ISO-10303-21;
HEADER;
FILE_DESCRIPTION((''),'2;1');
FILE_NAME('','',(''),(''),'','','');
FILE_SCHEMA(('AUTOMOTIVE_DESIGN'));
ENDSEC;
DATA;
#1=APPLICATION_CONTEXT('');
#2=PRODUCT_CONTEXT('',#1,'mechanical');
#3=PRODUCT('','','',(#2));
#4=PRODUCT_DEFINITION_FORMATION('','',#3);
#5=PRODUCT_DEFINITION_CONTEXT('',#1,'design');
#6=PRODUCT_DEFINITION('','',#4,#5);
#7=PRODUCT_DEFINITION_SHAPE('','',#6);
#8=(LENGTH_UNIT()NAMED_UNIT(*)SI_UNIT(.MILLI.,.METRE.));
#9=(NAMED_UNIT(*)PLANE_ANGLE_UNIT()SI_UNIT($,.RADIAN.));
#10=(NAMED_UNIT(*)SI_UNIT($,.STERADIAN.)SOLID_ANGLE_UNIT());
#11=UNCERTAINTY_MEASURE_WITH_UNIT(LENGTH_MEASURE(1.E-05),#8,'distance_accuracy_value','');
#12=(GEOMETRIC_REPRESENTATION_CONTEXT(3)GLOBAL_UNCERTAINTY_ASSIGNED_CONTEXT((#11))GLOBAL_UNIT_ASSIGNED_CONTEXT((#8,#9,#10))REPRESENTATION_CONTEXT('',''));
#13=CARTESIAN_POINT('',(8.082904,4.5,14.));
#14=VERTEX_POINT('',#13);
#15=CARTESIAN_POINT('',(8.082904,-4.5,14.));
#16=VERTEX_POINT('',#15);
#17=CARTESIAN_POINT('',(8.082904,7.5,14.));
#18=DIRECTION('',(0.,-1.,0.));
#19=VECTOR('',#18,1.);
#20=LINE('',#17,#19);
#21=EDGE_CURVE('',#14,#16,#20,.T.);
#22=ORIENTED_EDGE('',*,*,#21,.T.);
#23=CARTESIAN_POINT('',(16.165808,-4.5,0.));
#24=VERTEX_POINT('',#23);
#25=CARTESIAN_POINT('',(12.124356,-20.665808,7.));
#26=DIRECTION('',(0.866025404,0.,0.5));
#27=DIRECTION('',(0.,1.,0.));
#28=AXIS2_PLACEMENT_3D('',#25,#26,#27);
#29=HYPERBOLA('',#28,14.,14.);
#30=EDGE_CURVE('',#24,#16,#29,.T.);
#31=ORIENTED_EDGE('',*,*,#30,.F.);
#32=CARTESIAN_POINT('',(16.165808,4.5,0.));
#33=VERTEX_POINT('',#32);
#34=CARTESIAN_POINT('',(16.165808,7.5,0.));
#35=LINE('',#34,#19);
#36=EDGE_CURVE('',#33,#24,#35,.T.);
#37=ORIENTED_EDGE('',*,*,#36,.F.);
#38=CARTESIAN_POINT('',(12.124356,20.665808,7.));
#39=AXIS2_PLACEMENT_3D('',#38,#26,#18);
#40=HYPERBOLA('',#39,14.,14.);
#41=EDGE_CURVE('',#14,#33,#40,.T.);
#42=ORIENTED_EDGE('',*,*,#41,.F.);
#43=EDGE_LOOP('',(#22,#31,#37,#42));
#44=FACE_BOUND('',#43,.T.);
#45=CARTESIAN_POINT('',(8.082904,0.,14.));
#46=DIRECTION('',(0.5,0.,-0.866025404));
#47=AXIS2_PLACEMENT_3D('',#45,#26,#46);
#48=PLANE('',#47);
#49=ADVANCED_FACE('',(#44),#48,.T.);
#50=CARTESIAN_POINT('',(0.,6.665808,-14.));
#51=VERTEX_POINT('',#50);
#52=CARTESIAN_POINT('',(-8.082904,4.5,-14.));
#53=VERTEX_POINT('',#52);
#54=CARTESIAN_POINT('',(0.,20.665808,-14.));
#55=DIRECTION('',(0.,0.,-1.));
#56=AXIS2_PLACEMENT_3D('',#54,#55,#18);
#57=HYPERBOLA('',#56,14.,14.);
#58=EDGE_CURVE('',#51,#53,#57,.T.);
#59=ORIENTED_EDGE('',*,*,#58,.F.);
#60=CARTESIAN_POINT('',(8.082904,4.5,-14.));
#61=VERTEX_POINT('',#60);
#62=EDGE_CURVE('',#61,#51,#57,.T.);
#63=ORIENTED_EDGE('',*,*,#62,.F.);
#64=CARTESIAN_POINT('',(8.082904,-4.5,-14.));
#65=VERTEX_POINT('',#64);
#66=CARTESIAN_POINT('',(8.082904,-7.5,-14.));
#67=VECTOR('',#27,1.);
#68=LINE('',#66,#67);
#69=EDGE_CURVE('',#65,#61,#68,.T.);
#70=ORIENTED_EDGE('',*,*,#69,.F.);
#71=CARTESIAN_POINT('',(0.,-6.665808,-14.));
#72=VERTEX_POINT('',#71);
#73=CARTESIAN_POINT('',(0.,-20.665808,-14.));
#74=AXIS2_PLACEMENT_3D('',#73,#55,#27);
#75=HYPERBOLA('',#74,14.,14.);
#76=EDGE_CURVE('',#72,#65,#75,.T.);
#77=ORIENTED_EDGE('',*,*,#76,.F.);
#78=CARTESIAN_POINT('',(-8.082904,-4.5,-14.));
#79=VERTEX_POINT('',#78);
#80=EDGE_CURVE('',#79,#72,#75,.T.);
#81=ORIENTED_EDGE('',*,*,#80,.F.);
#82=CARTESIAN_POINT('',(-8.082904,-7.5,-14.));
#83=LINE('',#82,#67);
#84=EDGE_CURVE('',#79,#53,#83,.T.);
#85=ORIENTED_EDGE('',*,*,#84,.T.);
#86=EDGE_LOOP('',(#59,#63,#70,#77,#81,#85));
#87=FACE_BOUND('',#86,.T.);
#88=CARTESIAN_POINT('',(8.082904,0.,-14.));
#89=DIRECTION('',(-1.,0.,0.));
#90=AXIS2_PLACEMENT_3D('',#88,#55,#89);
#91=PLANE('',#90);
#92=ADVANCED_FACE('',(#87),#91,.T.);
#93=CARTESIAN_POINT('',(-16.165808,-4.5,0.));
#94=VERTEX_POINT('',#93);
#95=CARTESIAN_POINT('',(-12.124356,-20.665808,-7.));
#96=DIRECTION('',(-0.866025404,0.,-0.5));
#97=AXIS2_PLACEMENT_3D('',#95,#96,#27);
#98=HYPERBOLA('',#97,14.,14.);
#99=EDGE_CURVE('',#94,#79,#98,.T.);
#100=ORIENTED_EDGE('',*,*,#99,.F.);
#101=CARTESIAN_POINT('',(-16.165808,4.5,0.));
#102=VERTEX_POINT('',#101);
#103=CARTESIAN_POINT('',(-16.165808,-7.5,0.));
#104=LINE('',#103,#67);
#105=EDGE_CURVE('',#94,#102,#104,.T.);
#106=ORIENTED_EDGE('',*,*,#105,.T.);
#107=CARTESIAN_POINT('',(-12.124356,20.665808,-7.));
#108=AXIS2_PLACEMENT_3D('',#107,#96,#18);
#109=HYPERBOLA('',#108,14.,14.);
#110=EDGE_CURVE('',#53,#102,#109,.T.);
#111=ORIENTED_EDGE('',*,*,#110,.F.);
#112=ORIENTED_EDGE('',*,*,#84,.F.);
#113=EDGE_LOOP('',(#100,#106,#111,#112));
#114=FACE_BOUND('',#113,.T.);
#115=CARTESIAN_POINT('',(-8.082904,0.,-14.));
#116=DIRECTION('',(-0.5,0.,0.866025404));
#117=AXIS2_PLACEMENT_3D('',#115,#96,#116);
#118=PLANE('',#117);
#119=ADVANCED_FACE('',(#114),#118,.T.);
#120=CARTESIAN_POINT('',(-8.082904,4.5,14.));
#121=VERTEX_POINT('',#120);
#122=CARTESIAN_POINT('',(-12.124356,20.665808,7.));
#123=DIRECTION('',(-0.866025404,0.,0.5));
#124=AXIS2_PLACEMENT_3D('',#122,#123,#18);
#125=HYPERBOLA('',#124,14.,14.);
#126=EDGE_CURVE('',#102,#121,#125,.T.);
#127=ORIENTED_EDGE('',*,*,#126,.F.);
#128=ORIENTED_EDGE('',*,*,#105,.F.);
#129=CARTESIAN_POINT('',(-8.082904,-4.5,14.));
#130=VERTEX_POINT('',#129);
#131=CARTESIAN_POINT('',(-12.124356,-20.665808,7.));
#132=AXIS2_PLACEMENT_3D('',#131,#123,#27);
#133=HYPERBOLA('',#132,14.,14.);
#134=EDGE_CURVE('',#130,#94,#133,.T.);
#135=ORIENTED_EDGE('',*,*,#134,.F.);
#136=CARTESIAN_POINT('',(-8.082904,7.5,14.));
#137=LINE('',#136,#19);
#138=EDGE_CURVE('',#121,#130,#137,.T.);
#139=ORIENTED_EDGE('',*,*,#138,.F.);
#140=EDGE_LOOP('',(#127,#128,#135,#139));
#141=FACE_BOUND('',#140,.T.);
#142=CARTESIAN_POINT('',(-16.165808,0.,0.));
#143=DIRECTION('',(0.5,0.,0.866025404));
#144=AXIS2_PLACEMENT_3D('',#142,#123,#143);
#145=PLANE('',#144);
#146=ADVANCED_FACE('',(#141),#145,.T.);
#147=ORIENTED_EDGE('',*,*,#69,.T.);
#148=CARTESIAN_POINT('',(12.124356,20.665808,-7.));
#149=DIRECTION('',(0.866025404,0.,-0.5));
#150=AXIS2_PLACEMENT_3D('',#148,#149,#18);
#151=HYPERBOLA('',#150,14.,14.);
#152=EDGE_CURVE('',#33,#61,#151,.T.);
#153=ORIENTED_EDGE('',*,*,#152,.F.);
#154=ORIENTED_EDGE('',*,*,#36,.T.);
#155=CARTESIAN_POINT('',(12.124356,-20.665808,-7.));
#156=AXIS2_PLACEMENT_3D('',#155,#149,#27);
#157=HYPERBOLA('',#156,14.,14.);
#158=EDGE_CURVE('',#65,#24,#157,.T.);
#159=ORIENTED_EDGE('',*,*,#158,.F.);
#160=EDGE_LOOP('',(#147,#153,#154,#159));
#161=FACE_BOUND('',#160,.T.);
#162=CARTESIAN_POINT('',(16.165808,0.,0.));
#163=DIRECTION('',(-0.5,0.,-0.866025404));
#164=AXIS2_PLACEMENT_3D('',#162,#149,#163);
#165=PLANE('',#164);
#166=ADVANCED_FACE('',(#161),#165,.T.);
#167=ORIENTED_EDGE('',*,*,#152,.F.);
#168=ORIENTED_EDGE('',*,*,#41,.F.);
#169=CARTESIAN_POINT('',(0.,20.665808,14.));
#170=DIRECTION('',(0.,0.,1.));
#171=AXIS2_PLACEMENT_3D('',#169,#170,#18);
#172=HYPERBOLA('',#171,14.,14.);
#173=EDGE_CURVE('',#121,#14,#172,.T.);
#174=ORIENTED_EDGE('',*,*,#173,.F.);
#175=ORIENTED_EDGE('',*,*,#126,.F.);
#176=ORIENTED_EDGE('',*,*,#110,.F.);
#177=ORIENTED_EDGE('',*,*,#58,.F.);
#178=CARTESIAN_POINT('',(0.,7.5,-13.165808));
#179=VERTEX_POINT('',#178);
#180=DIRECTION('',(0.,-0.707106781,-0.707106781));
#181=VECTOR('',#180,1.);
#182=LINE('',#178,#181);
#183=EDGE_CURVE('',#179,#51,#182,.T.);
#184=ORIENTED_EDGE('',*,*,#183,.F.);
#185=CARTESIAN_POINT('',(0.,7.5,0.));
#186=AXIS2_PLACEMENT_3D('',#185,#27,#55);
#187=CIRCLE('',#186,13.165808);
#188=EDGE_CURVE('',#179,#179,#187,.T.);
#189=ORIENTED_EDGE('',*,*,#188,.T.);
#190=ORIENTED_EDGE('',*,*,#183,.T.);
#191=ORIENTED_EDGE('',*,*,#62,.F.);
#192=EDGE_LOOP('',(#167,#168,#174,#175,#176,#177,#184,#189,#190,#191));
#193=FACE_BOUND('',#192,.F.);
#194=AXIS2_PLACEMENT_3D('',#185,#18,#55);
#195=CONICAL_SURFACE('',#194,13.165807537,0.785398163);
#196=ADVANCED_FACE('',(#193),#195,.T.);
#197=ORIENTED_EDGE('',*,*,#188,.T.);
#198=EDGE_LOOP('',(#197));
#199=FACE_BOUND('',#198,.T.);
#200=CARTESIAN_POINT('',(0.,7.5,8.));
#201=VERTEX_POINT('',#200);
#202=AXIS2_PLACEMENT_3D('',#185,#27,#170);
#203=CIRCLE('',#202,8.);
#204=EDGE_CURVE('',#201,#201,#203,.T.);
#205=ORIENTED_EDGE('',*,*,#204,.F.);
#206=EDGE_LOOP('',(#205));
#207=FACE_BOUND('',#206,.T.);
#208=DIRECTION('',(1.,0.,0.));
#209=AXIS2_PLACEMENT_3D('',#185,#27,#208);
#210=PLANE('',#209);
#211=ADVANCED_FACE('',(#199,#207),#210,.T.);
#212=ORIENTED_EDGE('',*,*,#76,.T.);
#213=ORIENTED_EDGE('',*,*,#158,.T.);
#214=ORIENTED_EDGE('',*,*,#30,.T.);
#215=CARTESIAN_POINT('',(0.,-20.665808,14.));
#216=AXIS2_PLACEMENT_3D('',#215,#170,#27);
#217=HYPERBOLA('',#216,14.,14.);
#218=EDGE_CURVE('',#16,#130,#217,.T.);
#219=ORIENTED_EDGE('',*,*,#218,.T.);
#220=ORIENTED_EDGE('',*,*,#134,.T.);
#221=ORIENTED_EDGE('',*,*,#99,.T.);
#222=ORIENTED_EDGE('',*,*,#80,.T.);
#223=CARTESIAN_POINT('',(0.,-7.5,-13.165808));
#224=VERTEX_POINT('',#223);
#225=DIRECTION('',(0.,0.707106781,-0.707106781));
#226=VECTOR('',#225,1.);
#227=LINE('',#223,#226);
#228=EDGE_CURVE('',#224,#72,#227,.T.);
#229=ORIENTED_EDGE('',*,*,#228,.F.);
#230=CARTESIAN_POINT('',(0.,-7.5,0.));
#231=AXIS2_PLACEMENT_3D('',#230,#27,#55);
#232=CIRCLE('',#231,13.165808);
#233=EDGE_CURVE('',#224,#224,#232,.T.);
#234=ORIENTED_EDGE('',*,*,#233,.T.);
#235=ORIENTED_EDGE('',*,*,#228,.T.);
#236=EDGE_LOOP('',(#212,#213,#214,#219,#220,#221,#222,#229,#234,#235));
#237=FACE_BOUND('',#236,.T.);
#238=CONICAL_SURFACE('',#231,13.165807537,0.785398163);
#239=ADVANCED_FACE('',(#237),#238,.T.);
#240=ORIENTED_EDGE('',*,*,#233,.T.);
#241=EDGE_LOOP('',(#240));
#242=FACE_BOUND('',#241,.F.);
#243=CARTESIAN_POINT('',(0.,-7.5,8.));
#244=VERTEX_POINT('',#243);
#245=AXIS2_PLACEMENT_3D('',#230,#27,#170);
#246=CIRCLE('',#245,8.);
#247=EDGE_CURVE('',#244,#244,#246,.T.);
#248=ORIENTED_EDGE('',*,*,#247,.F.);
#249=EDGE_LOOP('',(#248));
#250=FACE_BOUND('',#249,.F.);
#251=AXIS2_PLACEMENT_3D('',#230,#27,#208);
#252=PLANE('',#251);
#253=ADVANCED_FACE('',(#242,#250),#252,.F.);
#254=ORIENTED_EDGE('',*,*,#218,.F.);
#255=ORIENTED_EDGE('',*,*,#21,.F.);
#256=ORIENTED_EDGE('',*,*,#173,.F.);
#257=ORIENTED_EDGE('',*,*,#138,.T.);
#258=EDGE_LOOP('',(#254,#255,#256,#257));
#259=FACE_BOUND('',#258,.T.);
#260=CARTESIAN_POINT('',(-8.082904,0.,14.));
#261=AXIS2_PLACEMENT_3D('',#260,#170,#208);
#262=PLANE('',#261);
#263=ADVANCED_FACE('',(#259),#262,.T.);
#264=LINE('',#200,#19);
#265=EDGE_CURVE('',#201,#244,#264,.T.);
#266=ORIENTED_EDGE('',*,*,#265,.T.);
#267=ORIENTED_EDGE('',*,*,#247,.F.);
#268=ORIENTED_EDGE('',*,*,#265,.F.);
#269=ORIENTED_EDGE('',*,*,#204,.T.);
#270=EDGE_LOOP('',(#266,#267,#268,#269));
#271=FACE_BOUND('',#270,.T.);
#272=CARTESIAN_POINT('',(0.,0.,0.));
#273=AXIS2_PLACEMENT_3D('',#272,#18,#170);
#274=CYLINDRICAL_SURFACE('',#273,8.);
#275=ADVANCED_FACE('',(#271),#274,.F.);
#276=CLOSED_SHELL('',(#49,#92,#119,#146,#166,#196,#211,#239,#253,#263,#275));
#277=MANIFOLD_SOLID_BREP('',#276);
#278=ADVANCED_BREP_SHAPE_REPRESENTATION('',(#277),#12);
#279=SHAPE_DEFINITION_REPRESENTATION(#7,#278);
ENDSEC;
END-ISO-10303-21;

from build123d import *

# Parameters (mm, degrees)
SKETCH1_R           = 8
BOSS_EXTRUDE1_DEPTH = 7.5


with BuildPart() as part:
    # Sketch1 → Boss-Extrude1 (new, symmetric)
    with BuildSketch(Plane(origin=(0, 0, 0), x_dir=(1, 0, 0), z_dir=(0, 1, 0))):
        Polygon((16.165807537, 0), (8.082903769, 14), (-8.082903769, 14), (-16.165807537, 0), (-8.082903769, -14), (8.082903769, -14), align=None)
        with Locations(Location((0, 0, 0), (0, 0, 270))):
            Circle(SKETCH1_R, mode=Mode.SUBTRACT)
    extrude(amount=BOSS_EXTRUDE1_DEPTH, both=True)

    # Sketch2 → Cut-Revolve1 (revolve, cut)
    with BuildSketch(Plane.XY, mode=Mode.PRIVATE) as cut_revolve1_sk:
        Polygon((13.165807537, 7.5), (16.165807537, 4.5), (16.165807537, 7.5), align=None)
    cut_revolve1 = revolve(cut_revolve1_sk.sketch.rotate(Axis((0, 0, 0), (0, 1, 0)), 90), axis=Axis((0, 0, 0), (0, 1, 0)), mode=Mode.SUBTRACT)

    # Mirror1: Cut-Revolve1 across plane
    add(cut_revolve1.mirror(Plane.ZX), mode=Mode.SUBTRACT)


solid = part.part
